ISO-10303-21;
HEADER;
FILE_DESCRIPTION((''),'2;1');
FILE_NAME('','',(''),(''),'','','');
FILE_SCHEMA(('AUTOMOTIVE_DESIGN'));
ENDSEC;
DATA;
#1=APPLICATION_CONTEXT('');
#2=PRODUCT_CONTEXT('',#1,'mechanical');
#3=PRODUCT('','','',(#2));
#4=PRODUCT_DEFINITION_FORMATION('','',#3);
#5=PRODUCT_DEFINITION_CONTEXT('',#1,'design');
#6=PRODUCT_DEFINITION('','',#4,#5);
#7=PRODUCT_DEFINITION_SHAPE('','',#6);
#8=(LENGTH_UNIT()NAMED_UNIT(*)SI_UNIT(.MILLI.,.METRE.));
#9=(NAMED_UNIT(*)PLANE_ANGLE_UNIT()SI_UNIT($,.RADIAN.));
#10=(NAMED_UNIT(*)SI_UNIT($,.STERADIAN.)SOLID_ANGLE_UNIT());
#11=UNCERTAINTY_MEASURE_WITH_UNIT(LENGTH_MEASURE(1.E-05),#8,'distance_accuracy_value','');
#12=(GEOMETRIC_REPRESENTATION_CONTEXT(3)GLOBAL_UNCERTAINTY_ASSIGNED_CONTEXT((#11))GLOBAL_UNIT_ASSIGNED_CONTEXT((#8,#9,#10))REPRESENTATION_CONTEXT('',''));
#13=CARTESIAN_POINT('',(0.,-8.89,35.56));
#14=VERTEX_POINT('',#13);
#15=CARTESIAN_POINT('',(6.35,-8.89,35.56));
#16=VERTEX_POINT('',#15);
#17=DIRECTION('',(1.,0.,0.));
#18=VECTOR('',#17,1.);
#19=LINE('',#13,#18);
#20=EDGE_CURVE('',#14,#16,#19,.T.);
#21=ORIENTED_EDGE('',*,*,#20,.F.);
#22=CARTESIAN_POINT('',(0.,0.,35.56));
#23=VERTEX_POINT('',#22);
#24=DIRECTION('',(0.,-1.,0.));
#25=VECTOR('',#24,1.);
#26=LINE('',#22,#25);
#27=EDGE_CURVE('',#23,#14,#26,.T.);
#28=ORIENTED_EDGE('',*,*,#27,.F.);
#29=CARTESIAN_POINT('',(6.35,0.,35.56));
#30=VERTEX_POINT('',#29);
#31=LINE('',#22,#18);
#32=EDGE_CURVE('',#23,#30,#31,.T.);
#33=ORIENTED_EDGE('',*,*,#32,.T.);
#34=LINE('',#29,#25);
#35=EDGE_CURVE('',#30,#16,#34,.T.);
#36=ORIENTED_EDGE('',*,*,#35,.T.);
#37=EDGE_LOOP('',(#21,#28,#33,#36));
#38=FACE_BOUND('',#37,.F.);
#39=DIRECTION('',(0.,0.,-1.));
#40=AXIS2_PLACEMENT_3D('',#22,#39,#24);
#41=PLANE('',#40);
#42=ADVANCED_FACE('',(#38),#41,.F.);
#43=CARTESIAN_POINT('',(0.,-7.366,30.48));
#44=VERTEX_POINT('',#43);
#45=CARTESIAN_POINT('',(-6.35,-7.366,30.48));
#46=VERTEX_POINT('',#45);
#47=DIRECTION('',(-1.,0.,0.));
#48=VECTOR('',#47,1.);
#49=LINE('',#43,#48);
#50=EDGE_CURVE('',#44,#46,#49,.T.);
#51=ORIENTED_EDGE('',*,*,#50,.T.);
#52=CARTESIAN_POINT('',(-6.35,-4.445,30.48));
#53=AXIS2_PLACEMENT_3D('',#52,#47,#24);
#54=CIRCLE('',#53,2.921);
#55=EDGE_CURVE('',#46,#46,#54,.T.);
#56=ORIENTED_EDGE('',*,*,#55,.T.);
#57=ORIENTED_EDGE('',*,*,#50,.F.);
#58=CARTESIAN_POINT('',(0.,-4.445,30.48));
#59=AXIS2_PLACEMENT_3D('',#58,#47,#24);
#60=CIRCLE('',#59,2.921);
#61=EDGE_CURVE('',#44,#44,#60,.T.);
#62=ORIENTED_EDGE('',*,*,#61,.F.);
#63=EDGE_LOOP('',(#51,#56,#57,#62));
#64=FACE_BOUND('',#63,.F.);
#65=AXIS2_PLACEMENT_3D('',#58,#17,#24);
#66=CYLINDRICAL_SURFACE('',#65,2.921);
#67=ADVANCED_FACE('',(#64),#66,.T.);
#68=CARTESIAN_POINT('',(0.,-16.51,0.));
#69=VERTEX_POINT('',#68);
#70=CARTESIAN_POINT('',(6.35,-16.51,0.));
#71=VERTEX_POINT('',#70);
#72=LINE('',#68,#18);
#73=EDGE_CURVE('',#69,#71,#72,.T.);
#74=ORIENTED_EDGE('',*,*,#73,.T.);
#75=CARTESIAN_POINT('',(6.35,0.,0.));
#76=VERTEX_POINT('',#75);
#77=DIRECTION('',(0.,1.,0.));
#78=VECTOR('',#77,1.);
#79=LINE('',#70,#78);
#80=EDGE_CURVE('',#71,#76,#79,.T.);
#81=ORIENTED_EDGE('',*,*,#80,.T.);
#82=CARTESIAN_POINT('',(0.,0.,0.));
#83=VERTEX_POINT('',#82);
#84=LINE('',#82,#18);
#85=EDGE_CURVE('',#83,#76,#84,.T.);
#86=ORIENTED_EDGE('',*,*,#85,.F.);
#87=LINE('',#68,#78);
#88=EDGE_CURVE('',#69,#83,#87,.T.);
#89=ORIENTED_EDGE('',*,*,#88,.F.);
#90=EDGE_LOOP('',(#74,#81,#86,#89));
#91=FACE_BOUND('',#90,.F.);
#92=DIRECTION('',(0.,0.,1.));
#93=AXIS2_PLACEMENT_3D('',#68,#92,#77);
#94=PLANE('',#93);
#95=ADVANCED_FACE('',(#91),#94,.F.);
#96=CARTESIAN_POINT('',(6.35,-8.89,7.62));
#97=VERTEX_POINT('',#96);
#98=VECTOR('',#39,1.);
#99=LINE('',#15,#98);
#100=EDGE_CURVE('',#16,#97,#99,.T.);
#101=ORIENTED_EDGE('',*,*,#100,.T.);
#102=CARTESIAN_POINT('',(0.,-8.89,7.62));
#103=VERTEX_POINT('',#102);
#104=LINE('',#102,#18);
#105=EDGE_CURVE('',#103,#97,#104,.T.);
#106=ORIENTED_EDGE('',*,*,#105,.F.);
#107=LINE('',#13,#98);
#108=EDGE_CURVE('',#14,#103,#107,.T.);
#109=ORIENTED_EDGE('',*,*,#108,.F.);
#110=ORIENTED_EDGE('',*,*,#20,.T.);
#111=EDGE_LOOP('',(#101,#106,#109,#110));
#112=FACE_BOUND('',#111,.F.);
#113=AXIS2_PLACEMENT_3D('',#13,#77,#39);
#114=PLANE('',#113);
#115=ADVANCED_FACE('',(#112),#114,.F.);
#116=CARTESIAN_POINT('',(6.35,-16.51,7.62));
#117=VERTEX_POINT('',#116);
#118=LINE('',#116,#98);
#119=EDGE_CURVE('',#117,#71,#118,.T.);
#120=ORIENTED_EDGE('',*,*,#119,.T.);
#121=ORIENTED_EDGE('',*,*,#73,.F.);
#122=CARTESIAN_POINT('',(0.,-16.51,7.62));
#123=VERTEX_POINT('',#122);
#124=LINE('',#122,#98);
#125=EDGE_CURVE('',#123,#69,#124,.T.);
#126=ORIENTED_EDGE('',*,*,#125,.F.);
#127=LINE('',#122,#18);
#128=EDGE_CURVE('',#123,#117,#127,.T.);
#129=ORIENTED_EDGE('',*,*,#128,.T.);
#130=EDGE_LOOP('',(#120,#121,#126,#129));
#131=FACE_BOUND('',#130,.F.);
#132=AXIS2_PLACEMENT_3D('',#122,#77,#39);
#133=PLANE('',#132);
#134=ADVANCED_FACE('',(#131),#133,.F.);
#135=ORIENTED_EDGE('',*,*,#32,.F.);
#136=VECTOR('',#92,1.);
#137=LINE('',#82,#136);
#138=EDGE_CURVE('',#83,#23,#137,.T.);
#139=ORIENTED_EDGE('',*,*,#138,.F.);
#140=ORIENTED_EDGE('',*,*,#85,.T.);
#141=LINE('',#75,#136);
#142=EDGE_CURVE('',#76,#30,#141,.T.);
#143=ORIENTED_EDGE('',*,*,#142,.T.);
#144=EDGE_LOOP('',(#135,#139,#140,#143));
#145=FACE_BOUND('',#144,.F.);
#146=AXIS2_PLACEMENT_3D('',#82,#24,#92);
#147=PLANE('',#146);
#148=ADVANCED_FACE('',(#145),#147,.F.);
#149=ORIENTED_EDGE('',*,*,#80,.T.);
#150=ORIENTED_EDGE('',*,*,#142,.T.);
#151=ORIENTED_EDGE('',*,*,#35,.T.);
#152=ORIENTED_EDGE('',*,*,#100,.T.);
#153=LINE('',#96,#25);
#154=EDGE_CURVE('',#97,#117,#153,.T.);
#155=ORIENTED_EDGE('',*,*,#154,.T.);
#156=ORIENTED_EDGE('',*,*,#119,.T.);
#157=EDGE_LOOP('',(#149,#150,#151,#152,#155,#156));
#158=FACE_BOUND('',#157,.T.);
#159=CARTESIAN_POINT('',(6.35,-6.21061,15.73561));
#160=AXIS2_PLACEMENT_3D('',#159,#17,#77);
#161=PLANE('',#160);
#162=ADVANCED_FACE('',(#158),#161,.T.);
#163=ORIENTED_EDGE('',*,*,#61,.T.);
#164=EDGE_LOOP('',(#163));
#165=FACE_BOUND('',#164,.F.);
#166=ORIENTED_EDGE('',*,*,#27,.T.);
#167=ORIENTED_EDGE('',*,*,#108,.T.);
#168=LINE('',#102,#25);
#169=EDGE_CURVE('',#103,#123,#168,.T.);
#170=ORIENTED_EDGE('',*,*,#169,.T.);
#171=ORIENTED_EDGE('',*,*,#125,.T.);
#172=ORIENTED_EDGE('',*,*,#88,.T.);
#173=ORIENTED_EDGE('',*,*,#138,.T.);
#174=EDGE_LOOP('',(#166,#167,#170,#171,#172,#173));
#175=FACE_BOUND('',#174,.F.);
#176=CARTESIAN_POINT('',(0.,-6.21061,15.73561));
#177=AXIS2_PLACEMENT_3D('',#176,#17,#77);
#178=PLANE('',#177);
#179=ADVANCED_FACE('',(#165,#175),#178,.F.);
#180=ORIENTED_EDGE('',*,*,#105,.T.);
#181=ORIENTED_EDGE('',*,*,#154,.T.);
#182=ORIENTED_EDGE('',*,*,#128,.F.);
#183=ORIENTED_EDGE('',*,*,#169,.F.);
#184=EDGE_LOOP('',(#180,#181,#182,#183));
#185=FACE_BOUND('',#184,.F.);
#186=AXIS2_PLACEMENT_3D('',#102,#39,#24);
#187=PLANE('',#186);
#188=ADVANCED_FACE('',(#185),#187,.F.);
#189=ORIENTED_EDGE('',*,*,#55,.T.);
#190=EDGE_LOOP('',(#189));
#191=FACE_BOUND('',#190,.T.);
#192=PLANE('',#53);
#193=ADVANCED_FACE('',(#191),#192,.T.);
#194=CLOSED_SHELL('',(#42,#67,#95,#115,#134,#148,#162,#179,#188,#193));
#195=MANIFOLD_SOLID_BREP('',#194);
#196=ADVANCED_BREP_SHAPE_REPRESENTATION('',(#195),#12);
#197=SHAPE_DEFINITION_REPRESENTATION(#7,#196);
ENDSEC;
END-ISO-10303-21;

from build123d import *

# Parameters (mm, degrees)
F1_DEPTH = 6.35
F2_R     = 2.921
F3_DEPTH = 6.35


with BuildPart() as f1:
    # F0 (on Right) → F1 (new body)
    with BuildSketch(Plane.YZ):
        Polygon((-16.51, 0), (0, 0), (0, 35.56), (-8.89, 35.56), (-8.89, 7.62), (-16.51, 7.62), align=None)
    extrude(amount=F1_DEPTH)

    # F2 (on face) → F3 (join)
    with BuildSketch(Plane(origin=(0, 0, 0), x_dir=(0, -1, 0), z_dir=(-1, 0, 0))):
        with Locations((4.445, 30.48)):
            Circle(F2_R)
    extrude(amount=F3_DEPTH)


solid = f1.part
